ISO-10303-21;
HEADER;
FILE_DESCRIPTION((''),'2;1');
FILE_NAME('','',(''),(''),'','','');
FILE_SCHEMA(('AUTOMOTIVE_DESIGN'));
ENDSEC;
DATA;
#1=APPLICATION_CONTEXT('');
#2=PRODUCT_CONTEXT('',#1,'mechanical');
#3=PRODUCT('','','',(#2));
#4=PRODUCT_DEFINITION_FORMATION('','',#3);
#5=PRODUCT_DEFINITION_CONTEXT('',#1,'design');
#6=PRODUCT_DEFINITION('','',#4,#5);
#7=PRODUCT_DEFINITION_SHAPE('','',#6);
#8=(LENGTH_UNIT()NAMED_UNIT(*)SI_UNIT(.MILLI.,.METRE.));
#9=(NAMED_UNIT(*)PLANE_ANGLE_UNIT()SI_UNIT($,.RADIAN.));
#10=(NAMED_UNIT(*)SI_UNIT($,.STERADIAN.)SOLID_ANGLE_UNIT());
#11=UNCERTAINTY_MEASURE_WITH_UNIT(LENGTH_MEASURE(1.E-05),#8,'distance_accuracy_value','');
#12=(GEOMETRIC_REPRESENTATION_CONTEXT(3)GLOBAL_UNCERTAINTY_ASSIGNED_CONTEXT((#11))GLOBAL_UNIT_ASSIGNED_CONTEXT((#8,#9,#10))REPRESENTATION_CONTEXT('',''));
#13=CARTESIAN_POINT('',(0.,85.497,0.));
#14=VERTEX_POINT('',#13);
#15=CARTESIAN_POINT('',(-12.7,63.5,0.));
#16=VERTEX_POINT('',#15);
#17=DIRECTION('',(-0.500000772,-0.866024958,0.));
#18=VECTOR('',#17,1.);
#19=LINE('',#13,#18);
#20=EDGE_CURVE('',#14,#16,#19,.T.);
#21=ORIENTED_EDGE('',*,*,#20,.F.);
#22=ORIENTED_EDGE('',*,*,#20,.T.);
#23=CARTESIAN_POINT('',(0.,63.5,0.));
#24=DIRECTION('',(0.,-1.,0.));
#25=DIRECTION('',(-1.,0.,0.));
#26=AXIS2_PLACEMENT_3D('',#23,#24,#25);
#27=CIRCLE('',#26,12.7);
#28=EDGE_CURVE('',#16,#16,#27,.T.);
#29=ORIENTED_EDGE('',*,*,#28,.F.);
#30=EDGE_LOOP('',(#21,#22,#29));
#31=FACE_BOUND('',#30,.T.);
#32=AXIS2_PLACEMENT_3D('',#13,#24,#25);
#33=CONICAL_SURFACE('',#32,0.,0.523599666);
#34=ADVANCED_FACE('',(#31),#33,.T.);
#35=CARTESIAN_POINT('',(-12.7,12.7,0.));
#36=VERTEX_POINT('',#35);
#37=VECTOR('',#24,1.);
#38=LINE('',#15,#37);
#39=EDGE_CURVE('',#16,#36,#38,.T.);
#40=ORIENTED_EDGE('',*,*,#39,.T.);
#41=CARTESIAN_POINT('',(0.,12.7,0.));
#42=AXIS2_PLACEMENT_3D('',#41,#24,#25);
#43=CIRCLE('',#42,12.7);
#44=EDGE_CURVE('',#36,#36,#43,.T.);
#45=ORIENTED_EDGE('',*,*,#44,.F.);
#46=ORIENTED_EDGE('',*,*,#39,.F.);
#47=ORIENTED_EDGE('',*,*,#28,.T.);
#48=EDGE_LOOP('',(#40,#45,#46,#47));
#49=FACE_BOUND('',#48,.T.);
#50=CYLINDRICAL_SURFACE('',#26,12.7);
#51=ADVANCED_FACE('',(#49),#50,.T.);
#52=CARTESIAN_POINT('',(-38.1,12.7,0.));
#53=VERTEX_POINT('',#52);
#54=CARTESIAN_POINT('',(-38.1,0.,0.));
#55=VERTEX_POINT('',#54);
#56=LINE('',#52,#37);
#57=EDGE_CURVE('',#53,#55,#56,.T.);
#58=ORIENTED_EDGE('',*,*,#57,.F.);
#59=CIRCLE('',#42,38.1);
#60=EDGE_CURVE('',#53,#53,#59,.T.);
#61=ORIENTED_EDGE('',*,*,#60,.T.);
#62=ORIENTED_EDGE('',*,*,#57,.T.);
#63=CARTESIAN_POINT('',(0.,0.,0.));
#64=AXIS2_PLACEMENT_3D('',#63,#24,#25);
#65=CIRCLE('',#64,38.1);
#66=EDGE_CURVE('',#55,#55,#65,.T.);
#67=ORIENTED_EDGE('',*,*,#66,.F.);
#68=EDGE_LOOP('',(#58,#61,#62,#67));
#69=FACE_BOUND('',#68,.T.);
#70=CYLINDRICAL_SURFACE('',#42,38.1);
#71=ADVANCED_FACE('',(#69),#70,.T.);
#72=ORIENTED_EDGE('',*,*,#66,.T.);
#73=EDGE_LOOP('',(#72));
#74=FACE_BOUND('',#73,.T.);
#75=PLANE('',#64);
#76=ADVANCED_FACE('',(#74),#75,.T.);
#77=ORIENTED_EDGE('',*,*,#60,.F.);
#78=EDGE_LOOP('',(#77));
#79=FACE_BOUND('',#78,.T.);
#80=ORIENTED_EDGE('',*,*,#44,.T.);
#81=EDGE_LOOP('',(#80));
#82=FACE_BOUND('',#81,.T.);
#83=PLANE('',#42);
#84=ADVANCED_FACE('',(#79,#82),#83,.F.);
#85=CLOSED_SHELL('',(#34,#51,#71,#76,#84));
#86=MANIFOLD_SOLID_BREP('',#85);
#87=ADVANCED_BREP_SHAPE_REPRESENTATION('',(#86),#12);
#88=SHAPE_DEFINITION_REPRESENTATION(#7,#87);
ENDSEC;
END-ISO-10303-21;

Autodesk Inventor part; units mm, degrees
ref_plane "YZ Plane" through (0, 0, 0) normal (1, 0, 0) x (0, 1, 0)
ref_plane "XZ Plane" through (0, 0, 0) normal (0, 1, 0) x (-1, 0, 0)
ref_plane "XY Plane" through (0, 0, 0) normal (0, 0, 1) x (1, 0, 0)
sketch "Sketch1" plane through (0, 0, 0) normal (0, 0, 1) x (1, 0, 0)
  line L0 (0, 85.497) -> (-12.7, 63.5)
  line L1 (-12.7, 63.5) -> (-12.7, 12.7)
  line L2 (-12.7, 12.7) -> (-38.1, 12.7)
  line L3 (-38.1, 12.7) -> (-38.1, 0)
  line L4 (-38.1, 0) -> (0, 0)
  line L5 (0, 85.497) -> (0, 0)
  dimension "d1" = 0
  dimension "d2" = 12.7
  dimension "d5" = 30
  dimension "d7" = 12.7
  dimension "d14" = 50.8
revolve "Revolution1" add sketch "Sketch1" angle 360 about axis through (0, 85.497, 0) along (0, -1, 0)
thread "Thread1" size "1-8 UNC" class "2A" standard "ANSI Unified Screw Threads" full length
properties part number "handle"
